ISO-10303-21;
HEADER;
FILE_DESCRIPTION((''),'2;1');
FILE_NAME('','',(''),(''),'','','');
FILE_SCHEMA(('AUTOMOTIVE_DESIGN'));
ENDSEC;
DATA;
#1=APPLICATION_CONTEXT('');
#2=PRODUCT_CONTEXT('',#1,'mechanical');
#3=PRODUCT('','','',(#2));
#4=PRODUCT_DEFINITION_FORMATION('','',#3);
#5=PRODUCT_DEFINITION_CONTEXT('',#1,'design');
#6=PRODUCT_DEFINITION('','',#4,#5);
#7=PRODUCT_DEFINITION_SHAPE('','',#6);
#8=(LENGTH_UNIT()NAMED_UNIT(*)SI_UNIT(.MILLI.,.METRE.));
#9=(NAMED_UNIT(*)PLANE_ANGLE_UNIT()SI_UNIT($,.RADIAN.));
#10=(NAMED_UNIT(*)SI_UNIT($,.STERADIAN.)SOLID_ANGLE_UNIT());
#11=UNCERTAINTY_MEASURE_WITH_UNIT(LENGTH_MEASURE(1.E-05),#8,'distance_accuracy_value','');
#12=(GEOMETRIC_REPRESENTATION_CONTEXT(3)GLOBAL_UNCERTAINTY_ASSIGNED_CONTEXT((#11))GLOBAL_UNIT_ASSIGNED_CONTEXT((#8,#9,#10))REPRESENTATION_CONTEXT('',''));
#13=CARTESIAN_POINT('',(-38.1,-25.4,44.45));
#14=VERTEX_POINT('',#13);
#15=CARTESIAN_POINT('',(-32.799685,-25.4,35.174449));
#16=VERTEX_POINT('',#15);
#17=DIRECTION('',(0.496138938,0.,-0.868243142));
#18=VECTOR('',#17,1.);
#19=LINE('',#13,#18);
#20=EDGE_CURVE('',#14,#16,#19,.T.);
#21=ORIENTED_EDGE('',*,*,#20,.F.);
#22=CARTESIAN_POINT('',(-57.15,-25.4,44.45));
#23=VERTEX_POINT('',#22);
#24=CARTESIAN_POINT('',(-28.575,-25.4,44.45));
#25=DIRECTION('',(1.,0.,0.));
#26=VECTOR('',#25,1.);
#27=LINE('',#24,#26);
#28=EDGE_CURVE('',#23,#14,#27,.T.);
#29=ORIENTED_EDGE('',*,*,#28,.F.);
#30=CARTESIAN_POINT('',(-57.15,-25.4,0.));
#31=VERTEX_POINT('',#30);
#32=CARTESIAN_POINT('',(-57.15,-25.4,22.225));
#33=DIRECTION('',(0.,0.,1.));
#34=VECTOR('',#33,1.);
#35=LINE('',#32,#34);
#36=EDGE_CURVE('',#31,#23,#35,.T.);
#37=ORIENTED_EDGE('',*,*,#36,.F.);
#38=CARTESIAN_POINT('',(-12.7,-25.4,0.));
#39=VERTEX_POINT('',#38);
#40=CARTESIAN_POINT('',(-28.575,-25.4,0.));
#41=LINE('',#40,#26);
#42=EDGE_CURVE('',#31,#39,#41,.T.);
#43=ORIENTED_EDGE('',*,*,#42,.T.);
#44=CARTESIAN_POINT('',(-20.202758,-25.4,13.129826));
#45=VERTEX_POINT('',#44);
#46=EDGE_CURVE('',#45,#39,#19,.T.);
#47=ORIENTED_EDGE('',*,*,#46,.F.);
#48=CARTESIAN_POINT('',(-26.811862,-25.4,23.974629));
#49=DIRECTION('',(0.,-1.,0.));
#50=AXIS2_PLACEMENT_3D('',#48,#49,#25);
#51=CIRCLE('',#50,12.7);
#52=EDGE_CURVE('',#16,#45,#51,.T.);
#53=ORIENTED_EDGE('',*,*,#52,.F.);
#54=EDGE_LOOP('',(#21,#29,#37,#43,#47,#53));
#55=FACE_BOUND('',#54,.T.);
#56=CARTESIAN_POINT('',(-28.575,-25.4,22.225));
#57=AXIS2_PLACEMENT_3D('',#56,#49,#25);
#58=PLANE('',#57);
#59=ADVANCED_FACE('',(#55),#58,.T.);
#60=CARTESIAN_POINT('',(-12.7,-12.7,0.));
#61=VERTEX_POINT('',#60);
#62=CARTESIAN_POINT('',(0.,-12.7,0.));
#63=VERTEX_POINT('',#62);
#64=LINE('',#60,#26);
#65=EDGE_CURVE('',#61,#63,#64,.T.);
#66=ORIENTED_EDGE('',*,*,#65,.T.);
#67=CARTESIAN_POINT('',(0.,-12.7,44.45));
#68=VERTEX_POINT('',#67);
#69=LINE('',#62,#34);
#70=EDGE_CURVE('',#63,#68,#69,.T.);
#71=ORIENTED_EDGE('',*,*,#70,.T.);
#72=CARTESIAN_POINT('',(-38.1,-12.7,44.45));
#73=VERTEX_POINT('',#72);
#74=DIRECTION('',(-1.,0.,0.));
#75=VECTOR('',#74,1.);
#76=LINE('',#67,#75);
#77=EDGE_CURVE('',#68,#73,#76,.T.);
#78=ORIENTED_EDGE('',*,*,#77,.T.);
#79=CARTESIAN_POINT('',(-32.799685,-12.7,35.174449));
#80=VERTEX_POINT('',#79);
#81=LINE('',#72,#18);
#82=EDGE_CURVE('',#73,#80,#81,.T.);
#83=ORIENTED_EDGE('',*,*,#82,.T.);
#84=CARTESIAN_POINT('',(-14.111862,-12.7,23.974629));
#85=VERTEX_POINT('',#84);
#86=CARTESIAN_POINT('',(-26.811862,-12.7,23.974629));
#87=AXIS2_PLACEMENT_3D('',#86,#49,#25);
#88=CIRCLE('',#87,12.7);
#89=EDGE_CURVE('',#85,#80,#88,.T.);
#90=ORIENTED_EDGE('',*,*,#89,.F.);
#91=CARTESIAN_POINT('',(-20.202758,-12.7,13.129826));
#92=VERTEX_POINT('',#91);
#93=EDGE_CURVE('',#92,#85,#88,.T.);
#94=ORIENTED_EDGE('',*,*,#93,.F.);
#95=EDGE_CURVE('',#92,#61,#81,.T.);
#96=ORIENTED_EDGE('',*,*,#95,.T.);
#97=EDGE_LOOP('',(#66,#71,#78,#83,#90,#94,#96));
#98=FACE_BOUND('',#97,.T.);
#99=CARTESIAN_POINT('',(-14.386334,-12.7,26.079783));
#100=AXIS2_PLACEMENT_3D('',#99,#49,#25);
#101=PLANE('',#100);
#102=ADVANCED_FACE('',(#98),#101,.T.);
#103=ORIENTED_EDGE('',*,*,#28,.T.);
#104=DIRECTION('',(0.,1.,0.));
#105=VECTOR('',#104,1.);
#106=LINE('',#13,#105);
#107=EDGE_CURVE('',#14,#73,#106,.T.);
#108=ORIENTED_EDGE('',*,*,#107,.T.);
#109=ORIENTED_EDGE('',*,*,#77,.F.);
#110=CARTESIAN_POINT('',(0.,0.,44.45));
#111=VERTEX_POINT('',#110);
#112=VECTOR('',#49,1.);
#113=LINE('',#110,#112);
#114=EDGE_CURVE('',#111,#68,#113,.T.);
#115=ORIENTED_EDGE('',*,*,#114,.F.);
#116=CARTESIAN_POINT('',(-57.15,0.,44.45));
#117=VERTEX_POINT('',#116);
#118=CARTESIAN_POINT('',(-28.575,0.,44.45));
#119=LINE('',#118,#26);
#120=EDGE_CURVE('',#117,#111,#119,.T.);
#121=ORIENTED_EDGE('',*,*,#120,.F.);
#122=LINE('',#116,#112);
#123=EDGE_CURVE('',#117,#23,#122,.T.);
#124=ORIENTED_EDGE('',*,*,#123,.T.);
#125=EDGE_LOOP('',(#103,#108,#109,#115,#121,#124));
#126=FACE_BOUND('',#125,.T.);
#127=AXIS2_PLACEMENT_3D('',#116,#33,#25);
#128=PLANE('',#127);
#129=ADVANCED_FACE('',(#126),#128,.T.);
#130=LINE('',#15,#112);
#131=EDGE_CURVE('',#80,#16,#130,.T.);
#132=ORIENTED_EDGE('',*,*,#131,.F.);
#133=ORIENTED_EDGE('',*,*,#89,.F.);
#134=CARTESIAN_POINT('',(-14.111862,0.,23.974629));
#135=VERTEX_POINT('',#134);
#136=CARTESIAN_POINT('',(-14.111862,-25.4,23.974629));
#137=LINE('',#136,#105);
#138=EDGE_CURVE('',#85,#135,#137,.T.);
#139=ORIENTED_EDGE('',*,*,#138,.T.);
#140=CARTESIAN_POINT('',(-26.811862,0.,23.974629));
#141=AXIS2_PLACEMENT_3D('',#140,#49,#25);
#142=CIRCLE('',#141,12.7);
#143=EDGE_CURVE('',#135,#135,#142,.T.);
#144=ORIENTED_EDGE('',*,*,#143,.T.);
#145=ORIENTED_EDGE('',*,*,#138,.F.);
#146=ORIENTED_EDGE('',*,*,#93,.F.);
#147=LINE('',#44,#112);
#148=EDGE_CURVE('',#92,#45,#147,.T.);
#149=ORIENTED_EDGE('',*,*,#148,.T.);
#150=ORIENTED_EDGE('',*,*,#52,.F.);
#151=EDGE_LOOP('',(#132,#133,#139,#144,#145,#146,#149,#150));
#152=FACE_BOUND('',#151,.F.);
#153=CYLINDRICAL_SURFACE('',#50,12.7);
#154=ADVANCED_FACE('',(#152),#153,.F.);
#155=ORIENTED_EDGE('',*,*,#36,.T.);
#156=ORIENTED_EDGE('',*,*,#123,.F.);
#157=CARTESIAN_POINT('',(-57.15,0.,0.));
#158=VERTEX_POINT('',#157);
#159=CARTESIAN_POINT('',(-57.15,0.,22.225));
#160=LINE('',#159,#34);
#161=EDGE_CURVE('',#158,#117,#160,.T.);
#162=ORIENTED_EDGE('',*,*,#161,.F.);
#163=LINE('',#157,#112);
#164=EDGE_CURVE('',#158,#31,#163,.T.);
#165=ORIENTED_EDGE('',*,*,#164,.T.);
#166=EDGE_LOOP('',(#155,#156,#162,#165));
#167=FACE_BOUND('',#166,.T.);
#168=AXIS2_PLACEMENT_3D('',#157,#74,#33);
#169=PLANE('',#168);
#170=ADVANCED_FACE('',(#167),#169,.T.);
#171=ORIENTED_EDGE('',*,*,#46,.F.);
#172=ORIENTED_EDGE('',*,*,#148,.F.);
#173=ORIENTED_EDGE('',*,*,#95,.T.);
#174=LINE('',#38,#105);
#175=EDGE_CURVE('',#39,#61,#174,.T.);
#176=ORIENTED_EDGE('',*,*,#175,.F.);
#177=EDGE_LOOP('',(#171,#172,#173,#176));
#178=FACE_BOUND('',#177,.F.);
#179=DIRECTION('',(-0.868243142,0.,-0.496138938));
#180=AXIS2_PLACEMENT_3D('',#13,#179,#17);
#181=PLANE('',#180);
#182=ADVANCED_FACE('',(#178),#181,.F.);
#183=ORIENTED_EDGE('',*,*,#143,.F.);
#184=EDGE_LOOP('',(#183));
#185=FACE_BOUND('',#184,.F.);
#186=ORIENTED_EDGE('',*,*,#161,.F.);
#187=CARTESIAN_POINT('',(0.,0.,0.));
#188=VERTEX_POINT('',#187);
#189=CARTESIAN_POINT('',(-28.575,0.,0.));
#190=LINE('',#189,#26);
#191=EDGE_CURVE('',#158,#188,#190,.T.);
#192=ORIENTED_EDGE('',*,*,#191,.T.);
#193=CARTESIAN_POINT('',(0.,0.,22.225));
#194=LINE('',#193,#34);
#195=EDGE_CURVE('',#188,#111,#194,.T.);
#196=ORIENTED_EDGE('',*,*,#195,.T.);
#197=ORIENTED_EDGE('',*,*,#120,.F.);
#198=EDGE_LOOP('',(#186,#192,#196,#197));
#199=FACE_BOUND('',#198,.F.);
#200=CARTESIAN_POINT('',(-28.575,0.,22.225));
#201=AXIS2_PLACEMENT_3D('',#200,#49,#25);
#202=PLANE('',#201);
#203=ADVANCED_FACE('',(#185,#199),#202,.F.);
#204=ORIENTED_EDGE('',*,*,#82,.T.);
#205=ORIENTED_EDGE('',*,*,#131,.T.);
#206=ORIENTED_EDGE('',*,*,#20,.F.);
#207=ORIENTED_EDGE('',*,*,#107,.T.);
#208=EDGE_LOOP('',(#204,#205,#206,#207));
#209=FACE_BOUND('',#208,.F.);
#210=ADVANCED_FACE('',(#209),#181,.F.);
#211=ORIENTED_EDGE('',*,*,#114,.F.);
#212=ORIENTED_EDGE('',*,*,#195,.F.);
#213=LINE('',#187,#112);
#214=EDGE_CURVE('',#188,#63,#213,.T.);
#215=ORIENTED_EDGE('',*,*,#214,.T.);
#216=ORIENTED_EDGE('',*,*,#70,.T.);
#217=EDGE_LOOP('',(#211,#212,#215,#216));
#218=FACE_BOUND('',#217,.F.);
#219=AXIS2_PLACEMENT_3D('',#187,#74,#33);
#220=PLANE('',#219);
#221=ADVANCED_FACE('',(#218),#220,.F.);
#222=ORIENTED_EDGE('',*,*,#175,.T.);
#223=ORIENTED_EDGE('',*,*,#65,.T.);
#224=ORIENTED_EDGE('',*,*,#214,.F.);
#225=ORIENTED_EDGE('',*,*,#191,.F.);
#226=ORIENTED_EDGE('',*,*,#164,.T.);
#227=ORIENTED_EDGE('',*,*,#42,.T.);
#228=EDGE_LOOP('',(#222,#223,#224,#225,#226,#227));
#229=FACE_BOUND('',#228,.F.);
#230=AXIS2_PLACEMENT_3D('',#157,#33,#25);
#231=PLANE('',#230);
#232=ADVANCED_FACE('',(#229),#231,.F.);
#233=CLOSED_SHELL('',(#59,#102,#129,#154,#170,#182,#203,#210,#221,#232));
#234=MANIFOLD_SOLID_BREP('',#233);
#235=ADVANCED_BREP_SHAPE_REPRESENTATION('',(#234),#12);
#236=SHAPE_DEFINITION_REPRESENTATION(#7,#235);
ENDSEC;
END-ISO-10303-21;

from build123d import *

# Parameters (mm, degrees)
F0_W     = 57.15
F0_H     = 44.45
F1_DEPTH = 25.4
F3_R     = 12.7
F4_DEPTH = 25.401
F5_DEPTH = 12.7


with BuildPart() as f1:
    # F0 (on Front) → F1 (new body)
    with BuildSketch(Plane.XZ):
        with Locations((-28.575, 22.225)):
            Rectangle(F0_W, F0_H)
    extrude(amount=F1_DEPTH)

    # F3 (on face) → F4 (cut, through all)
    with BuildSketch(Plane.XZ.offset(25.4)):
        with Locations((-26.811862, 23.974629)):
            Circle(F3_R)
    extrude(amount=-F4_DEPTH, mode=Mode.SUBTRACT)

    # F2 (on face) → F5 (cut)
    with BuildSketch(Plane.XZ.offset(25.4)):
        Polygon((0, 44.45), (-38.1, 44.45), (-12.7, 0), (0, 0), align=None)
    extrude(amount=-F5_DEPTH, mode=Mode.SUBTRACT)


solid = f1.part
